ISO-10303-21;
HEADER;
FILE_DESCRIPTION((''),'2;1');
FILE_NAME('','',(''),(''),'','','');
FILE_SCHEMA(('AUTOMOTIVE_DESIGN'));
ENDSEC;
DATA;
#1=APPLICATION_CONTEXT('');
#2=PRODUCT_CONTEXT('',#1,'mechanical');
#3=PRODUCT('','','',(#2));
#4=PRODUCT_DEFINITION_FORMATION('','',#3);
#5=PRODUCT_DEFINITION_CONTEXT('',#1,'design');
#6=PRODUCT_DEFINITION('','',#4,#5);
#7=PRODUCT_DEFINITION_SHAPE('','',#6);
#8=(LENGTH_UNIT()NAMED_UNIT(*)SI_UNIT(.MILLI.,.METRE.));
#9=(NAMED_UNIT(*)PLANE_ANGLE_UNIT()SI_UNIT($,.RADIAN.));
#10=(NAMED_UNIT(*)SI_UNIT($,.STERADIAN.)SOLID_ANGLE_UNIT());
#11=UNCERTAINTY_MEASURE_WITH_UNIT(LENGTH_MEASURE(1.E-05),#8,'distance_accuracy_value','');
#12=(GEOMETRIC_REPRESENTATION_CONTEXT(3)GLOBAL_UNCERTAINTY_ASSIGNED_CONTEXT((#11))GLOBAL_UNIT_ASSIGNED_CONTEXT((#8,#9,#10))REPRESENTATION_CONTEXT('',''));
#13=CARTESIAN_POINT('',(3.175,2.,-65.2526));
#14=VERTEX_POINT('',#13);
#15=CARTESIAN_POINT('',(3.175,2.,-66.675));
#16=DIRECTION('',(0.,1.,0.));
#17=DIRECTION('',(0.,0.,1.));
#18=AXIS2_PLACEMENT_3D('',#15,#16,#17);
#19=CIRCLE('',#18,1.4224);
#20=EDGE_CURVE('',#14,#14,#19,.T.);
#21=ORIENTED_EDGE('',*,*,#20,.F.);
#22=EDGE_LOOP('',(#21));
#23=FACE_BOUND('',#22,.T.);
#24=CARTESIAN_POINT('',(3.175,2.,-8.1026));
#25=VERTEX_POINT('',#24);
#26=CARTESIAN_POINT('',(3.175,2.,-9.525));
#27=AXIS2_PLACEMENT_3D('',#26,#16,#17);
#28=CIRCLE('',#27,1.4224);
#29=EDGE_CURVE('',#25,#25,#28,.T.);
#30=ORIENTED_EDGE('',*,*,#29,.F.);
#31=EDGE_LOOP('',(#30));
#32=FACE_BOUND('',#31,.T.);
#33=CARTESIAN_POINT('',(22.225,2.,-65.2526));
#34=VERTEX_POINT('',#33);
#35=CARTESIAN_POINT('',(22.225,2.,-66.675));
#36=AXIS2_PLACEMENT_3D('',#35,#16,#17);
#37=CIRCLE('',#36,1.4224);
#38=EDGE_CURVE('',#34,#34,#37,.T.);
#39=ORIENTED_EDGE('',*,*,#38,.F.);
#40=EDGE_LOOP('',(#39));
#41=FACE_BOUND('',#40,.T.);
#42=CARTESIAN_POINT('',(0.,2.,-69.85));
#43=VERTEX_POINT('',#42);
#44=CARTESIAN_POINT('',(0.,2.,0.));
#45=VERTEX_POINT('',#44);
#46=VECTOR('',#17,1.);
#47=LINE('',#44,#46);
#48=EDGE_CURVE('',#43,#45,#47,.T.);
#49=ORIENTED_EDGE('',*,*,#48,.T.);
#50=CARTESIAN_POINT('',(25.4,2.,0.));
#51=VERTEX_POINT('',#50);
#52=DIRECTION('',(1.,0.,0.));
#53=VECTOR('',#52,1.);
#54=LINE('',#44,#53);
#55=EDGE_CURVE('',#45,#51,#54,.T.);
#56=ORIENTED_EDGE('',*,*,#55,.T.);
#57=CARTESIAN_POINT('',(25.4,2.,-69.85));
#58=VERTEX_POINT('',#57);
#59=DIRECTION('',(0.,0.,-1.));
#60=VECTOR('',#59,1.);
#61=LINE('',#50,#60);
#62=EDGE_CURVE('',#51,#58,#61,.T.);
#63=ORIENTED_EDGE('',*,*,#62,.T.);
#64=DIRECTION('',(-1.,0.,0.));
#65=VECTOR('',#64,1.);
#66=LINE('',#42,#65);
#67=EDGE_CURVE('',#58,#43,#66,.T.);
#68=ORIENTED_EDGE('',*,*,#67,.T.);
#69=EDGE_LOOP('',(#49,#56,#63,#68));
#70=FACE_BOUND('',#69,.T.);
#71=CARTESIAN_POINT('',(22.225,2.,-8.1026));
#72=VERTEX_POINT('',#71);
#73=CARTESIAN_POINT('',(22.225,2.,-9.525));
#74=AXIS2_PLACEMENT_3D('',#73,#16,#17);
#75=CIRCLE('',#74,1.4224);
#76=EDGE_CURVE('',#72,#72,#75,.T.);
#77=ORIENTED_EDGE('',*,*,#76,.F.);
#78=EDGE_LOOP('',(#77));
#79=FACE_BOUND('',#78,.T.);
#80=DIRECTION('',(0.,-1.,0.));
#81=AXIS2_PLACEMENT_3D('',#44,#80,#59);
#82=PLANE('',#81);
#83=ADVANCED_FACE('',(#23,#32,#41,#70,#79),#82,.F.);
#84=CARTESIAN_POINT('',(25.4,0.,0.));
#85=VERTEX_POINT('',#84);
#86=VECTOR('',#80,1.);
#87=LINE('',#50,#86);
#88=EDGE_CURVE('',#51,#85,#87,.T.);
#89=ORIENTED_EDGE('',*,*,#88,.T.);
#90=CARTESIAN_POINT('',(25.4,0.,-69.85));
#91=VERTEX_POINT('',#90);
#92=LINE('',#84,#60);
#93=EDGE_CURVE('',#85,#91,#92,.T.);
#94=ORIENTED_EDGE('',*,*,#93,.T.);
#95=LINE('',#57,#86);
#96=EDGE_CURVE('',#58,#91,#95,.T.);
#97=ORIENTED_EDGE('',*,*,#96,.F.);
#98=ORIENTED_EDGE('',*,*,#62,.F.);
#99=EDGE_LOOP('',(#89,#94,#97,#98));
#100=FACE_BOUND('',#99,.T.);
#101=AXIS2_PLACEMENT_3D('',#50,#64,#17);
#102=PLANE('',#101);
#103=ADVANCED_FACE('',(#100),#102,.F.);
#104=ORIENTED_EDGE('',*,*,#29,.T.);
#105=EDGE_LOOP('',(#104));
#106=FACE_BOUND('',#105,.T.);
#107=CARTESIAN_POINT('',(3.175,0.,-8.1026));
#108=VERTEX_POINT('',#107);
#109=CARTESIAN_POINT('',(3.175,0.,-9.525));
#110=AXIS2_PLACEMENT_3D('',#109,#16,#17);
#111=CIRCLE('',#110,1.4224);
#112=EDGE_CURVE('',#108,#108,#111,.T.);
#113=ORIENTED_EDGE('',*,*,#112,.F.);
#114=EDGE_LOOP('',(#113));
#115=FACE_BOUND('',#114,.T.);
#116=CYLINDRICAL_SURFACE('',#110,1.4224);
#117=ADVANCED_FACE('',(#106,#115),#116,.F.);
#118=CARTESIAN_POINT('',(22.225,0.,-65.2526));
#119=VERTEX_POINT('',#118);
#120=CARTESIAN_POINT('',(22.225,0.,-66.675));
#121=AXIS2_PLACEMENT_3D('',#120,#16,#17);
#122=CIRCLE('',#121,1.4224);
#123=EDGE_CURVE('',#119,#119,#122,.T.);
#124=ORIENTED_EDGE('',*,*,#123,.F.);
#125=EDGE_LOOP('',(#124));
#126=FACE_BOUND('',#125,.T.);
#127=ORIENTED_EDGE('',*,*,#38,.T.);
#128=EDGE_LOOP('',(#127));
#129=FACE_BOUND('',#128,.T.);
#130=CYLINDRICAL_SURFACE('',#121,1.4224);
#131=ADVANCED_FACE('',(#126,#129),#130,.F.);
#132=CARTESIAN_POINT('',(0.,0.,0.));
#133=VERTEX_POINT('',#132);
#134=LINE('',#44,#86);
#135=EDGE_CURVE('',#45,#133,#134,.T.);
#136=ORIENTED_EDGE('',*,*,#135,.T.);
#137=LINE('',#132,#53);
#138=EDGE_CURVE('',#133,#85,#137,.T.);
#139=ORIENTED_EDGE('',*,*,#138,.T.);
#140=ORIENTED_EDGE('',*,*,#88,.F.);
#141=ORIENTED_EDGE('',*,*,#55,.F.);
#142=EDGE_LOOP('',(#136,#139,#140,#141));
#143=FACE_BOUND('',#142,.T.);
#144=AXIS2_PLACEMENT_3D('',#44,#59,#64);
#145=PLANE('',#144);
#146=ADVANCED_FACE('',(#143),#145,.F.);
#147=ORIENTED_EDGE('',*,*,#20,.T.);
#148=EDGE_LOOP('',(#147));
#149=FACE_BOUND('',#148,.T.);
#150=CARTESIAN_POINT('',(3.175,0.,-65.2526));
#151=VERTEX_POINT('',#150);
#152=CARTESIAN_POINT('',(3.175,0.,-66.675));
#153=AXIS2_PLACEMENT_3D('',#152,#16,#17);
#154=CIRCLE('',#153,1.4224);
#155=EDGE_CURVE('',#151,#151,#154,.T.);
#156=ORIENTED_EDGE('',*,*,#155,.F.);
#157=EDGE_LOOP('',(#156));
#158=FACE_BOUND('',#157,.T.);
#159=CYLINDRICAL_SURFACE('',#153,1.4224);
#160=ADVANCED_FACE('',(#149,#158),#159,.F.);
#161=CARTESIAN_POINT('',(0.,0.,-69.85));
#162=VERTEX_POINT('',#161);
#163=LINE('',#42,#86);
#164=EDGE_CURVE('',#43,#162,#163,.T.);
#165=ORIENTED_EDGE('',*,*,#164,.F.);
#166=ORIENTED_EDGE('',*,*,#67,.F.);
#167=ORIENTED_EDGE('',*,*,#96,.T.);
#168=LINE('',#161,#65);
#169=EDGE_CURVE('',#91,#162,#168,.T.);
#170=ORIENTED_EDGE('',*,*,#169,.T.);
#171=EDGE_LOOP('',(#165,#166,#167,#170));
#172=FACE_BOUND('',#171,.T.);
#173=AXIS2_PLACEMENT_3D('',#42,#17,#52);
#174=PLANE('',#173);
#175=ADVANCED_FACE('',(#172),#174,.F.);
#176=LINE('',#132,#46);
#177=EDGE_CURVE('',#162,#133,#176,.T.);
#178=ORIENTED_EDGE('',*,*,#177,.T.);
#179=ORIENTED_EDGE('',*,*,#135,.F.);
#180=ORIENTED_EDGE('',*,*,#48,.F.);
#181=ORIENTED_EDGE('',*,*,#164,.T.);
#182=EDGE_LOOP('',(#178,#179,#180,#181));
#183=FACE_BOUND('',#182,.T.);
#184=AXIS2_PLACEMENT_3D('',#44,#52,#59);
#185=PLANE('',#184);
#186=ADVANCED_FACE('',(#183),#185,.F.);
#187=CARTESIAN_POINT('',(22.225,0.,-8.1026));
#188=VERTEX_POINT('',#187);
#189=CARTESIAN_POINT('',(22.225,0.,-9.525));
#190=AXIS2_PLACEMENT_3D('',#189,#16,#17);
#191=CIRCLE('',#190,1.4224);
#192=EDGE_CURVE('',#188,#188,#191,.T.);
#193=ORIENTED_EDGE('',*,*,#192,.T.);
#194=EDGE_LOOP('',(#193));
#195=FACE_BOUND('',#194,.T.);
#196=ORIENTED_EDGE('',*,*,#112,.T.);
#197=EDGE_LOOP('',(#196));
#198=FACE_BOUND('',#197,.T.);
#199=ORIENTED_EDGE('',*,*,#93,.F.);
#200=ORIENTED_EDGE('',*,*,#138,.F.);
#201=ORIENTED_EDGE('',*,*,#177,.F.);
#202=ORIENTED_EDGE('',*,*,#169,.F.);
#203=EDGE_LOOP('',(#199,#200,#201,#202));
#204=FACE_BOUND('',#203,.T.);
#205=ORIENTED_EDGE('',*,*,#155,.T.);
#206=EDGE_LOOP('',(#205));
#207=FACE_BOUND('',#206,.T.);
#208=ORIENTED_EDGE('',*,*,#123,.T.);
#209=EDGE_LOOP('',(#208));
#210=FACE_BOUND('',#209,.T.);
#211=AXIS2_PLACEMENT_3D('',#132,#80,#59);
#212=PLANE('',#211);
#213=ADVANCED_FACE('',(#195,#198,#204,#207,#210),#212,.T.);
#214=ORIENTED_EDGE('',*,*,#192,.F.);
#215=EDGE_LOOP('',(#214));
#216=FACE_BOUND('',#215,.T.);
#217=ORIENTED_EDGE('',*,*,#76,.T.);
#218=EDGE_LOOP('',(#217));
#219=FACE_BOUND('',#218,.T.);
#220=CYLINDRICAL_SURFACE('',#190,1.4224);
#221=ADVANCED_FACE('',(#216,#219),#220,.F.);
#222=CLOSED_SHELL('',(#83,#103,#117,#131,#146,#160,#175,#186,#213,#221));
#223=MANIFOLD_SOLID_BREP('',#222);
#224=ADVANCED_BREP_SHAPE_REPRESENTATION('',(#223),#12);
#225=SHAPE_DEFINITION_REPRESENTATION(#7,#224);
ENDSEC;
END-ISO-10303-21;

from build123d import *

# Parameters (mm, degrees)
SKETCH1_W           = 25.4
SKETCH1_H           = 69.85
BOSS_EXTRUDE1_DEPTH = 2
SKETCH2_R           = 1.4224
CUT_EXTRUDE1_DEPTH  = 2


with BuildPart() as part:
    # Sketch1 → Boss-Extrude1 (new body)
    with BuildSketch(Plane(origin=(0, 0, 0), x_dir=(1, 0, 0), z_dir=(0, 1, 0))):
        with Locations((12.7, 34.925)):
            Rectangle(SKETCH1_W, SKETCH1_H)
    extrude(amount=BOSS_EXTRUDE1_DEPTH)

    # Sketch2 → Cut-Extrude1 (cut)
    with BuildSketch(Plane(origin=(0, 2, 0), x_dir=(1, 0, 0), z_dir=(0, 1, 0))):
        with Locations(Location((3.175, 66.675, 0), (0, 0, 270))):
            Circle(SKETCH2_R)
        with Locations(Location((22.225, 66.675, 0), (0, 0, 270))):
            Circle(SKETCH2_R)
        with Locations(Location((3.175, 9.525, 0), (0, 0, 270))):
            Circle(SKETCH2_R)
        with Locations(Location((22.225, 9.525, 0), (0, 0, 270))):
            Circle(SKETCH2_R)
    extrude(amount=-CUT_EXTRUDE1_DEPTH, mode=Mode.SUBTRACT)


solid = part.part
